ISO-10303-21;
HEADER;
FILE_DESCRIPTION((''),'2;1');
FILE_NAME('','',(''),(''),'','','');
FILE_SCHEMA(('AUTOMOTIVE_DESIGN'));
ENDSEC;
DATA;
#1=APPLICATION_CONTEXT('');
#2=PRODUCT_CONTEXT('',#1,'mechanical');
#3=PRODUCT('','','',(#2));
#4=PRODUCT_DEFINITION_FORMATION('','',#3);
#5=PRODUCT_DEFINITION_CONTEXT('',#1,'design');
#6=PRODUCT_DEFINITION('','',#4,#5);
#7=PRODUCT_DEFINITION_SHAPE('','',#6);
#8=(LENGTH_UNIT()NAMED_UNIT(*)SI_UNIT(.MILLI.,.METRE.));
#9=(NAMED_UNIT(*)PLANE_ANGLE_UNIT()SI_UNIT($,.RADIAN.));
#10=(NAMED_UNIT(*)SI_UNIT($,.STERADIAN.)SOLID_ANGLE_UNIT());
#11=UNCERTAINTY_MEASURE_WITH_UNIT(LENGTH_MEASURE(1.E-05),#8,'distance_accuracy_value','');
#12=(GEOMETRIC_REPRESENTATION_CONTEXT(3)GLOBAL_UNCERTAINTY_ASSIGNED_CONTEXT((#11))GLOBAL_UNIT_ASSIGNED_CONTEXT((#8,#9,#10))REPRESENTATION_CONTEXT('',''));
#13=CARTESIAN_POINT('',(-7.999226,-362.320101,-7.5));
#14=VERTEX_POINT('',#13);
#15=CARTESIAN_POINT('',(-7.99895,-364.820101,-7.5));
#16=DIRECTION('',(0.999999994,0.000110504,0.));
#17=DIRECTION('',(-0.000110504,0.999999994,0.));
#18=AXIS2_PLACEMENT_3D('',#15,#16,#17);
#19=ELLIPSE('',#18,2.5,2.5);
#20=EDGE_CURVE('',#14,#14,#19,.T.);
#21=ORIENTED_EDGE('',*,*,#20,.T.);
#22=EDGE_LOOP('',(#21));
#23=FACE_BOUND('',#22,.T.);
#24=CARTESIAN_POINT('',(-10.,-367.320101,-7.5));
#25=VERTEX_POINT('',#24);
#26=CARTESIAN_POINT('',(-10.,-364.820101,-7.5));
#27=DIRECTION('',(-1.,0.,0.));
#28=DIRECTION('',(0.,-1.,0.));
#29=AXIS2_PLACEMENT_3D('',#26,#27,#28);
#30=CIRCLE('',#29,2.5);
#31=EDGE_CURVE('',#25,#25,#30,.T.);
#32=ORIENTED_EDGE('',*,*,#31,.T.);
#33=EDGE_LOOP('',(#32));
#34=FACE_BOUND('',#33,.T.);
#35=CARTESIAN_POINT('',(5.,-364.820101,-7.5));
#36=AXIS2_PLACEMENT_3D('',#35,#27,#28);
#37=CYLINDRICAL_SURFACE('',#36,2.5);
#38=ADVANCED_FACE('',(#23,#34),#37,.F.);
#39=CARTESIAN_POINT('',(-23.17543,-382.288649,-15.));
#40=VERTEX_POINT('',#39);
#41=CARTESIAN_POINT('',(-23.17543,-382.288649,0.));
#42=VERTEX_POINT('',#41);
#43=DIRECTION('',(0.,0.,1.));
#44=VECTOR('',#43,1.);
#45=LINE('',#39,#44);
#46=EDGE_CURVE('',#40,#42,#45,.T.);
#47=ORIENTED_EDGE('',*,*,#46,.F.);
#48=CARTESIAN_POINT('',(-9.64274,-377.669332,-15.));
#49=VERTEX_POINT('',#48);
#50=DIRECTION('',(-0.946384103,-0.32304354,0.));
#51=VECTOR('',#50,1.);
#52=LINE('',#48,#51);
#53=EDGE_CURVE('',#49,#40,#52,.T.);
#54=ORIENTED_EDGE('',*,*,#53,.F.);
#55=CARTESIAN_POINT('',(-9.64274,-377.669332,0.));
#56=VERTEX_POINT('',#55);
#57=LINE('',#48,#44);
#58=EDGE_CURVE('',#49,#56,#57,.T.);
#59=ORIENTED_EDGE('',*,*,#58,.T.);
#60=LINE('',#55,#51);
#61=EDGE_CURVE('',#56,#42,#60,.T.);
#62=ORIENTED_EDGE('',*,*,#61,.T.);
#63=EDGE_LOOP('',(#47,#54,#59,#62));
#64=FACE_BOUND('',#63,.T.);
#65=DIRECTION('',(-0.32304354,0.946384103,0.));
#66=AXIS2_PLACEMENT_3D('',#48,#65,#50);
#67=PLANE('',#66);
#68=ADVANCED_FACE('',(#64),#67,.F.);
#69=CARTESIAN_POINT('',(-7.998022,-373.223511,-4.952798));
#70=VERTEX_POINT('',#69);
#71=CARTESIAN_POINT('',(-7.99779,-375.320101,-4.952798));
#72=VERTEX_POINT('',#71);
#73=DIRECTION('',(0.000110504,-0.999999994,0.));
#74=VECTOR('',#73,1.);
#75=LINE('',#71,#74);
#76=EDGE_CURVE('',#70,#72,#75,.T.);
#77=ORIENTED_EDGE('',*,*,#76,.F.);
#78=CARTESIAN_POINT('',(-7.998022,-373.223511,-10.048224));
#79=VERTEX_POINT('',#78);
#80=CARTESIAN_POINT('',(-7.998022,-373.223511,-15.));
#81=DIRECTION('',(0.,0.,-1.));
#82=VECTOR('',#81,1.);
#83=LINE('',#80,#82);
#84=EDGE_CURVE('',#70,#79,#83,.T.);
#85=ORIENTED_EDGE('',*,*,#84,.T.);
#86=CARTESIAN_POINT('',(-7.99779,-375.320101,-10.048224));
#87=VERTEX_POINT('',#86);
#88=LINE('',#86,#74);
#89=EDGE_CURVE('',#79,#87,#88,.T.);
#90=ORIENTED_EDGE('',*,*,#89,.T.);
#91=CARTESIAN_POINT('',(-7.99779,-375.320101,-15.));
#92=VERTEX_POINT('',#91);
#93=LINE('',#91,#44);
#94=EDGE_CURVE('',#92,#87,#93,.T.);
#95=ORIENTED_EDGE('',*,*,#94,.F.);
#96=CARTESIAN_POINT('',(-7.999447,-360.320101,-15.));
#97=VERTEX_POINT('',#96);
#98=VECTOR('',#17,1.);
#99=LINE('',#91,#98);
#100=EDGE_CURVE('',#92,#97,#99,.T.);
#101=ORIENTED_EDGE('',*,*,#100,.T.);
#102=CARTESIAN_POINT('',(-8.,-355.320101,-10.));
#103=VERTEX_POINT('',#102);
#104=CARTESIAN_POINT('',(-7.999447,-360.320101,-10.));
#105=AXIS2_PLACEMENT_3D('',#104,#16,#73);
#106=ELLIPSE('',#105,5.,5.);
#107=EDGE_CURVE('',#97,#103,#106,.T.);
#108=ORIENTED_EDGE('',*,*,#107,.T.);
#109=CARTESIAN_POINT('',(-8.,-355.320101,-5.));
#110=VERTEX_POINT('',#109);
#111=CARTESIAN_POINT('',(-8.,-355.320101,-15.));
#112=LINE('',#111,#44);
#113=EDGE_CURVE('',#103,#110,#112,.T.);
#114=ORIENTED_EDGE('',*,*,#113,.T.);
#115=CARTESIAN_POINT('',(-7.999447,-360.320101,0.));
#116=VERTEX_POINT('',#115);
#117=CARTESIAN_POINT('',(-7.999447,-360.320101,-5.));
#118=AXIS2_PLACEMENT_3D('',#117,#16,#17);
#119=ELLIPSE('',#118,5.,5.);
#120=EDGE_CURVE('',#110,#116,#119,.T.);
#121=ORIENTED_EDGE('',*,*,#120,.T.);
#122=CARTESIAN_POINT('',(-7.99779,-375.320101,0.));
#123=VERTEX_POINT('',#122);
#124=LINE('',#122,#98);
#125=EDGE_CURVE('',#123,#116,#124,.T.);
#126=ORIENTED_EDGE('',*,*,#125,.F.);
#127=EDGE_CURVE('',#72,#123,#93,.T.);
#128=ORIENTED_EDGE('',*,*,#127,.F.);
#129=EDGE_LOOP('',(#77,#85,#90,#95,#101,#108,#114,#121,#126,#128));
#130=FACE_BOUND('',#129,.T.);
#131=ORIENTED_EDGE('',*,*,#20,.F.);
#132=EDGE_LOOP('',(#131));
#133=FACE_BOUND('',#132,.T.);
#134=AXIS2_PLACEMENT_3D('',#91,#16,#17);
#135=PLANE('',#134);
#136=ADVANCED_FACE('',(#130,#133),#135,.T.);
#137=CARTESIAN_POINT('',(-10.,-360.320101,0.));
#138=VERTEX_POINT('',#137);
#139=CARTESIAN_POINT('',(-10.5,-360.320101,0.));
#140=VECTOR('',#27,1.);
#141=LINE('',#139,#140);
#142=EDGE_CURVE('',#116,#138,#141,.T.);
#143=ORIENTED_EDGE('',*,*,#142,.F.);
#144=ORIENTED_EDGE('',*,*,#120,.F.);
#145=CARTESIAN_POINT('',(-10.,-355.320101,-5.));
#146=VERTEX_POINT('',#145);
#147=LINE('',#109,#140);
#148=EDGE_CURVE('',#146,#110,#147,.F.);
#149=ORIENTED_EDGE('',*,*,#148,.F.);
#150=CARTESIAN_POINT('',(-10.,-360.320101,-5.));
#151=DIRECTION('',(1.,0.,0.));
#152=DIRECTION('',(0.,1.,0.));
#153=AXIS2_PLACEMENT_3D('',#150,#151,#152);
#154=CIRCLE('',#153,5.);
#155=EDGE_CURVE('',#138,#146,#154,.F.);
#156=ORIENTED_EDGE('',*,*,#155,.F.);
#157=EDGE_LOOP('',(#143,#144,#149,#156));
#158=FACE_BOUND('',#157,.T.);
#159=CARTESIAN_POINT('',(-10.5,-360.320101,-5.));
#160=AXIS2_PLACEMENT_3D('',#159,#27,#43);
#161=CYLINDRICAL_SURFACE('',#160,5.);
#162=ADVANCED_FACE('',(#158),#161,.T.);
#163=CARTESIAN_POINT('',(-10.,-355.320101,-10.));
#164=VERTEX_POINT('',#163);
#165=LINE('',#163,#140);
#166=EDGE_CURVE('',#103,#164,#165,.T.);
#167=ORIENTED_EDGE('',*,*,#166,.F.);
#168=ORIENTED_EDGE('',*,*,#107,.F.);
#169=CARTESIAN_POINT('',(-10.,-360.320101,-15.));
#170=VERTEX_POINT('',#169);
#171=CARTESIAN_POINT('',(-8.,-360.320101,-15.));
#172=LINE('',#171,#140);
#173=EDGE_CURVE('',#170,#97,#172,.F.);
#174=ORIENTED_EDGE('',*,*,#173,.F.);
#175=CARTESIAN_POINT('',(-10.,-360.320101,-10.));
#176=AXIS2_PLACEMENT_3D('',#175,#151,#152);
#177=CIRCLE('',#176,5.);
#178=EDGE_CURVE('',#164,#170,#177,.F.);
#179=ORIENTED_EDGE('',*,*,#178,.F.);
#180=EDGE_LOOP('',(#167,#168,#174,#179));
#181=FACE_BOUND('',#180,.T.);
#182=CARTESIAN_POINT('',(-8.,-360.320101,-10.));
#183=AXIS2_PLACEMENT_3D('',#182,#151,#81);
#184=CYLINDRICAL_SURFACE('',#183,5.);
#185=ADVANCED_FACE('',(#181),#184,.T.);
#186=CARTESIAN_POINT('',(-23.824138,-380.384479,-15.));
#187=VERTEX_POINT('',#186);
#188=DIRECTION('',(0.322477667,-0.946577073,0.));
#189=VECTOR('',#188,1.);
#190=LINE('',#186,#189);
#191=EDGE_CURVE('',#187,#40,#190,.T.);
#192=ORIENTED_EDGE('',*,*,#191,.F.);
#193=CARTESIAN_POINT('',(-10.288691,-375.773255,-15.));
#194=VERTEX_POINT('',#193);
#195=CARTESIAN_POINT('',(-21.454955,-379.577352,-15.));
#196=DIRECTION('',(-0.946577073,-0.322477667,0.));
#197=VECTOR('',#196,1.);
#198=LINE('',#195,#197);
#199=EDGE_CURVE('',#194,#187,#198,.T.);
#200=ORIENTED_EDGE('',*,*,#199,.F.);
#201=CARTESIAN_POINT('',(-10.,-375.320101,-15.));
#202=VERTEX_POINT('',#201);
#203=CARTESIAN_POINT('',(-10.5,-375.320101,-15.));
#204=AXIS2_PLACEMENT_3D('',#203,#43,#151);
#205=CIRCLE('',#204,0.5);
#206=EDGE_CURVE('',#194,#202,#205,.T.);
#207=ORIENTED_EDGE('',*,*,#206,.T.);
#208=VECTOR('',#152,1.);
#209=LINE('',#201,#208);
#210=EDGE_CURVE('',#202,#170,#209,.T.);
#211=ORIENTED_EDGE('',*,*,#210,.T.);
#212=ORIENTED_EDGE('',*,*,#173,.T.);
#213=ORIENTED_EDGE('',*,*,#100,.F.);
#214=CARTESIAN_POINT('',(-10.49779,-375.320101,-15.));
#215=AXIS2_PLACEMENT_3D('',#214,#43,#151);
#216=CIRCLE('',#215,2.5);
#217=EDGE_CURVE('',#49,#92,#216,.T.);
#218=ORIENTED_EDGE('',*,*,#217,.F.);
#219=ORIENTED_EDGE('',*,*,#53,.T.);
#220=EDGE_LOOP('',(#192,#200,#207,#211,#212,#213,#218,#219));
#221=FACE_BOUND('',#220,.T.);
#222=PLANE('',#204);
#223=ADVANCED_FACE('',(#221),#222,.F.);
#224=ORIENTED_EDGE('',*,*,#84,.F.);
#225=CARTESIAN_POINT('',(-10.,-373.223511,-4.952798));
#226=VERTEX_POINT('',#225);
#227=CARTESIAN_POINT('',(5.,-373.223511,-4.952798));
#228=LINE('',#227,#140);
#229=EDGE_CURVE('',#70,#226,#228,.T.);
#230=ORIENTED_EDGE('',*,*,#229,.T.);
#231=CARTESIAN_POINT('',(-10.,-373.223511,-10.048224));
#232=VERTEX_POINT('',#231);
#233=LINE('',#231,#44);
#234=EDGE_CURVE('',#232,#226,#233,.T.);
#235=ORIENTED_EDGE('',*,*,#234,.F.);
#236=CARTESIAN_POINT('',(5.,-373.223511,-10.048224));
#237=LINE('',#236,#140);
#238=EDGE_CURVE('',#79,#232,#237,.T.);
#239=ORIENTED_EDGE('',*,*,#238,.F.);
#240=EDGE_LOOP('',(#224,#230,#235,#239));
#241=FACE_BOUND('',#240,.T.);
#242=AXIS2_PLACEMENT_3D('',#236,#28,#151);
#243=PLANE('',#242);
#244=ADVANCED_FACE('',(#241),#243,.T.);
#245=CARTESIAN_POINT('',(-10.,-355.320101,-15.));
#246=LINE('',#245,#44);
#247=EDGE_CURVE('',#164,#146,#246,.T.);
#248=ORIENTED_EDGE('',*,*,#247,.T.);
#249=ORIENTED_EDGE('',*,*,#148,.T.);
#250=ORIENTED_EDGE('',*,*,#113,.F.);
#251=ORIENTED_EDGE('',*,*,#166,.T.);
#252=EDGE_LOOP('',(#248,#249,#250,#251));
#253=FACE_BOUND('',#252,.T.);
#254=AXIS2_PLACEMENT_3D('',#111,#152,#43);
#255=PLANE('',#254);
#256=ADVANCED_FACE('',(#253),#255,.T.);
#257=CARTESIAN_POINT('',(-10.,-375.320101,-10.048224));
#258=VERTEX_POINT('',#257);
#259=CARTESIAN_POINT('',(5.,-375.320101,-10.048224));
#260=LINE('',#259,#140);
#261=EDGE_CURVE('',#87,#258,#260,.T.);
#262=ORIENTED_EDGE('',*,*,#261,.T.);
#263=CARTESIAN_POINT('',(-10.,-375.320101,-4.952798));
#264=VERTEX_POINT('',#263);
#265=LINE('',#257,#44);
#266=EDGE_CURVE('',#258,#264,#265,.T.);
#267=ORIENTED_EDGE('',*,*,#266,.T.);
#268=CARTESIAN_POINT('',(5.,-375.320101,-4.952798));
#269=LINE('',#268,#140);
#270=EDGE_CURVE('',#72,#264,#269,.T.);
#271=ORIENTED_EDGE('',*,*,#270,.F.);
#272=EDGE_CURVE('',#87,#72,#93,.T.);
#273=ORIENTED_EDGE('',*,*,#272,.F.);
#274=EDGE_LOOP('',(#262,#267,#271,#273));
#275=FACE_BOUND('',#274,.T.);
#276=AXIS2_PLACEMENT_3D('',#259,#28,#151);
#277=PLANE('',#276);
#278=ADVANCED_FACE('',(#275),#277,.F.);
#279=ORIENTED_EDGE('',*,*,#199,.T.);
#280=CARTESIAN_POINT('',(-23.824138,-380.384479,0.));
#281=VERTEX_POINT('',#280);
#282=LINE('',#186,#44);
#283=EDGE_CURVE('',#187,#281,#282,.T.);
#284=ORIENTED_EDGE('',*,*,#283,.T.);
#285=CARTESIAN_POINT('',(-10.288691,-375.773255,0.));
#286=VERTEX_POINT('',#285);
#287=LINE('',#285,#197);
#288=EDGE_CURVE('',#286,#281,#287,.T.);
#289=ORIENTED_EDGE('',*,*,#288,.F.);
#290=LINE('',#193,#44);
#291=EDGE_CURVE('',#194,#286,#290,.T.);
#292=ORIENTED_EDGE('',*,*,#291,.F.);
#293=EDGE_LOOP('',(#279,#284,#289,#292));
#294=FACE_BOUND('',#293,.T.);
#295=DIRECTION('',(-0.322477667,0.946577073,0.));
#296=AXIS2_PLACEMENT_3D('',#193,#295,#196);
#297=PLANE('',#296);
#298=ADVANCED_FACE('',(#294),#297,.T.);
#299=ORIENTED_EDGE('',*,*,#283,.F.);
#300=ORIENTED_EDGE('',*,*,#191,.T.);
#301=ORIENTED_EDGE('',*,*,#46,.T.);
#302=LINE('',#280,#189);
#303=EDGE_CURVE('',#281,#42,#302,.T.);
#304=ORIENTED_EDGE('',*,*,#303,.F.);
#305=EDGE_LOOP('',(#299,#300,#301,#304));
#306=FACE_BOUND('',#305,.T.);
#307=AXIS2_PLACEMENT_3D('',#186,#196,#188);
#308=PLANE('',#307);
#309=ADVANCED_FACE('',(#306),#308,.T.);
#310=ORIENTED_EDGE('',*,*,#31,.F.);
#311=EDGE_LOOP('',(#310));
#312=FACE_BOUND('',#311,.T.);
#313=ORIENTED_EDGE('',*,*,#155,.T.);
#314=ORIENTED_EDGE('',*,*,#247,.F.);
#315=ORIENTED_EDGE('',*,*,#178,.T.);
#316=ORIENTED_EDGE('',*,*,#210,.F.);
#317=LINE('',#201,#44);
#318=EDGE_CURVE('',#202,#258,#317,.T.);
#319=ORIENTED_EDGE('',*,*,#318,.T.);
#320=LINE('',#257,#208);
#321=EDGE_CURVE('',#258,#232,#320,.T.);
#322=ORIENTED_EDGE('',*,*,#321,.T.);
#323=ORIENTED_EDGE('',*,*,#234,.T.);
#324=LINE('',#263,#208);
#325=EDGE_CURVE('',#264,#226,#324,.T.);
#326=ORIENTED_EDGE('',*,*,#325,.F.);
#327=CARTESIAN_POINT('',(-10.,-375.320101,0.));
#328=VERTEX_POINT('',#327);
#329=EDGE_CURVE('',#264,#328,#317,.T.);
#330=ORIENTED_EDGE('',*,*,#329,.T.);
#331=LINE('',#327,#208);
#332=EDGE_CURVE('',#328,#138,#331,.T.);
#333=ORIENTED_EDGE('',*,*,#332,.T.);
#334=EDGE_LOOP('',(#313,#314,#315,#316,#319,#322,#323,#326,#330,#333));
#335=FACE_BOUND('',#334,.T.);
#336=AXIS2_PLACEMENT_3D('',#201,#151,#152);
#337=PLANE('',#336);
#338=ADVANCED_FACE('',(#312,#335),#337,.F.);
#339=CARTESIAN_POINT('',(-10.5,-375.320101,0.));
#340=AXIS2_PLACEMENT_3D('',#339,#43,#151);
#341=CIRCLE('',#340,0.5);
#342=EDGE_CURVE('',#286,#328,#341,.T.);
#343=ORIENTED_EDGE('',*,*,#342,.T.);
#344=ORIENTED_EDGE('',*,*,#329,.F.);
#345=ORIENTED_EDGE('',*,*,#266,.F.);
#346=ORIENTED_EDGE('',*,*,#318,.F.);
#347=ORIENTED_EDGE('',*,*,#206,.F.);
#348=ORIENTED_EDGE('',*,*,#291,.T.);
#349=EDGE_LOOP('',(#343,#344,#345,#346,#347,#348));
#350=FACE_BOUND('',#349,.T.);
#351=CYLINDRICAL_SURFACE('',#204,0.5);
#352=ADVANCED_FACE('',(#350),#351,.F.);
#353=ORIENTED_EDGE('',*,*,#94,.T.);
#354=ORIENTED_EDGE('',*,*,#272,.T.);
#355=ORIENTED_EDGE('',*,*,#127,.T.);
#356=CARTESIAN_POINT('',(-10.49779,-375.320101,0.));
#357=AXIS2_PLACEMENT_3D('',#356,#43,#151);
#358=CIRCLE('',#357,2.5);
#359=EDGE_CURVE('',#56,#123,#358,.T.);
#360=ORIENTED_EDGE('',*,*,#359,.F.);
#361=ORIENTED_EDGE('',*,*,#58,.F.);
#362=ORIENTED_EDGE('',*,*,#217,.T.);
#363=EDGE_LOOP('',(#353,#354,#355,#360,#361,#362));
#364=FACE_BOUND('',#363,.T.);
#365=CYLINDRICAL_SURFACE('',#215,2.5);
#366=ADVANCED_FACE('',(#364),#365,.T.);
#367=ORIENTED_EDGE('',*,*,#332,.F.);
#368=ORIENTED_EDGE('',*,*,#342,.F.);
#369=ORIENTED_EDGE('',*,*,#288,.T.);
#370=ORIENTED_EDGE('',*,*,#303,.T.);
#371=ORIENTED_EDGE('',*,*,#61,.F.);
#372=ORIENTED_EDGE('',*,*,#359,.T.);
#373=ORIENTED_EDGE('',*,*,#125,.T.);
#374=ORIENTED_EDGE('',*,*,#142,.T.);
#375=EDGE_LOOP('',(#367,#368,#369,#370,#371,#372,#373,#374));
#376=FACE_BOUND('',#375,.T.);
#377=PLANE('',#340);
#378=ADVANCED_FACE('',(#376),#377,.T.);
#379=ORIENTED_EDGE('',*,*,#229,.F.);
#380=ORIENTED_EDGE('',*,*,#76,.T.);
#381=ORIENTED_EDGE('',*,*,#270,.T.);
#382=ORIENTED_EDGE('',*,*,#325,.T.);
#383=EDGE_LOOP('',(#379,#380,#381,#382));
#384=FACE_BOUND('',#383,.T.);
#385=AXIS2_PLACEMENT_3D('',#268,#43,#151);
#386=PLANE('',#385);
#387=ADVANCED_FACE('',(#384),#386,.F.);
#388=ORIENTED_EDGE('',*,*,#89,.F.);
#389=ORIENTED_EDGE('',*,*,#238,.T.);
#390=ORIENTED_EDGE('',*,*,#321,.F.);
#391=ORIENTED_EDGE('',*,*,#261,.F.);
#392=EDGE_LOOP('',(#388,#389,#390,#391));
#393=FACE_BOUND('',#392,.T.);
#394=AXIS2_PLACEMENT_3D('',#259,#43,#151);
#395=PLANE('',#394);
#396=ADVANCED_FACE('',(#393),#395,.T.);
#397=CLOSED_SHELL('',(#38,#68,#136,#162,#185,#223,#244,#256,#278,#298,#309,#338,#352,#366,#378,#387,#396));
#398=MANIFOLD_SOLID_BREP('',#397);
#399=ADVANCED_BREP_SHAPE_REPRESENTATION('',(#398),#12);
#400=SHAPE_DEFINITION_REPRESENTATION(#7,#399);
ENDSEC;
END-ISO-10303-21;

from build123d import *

# Parameters (mm, degrees)
DODANIE_WYCI_GNI_CIE1_DEPTH = 15
SZKIC2_R                    = 2.5
WYTNIJ_WYCI_GNI_CIE2_DEPTH  = 15
SZKIC4_W                    = 5.095426068
SZKIC4_H                    = 2.09659
WYTNIJ_WYCI_GNI_CIE4_DEPTH  = 15
ZAOKR_GLENIE1_R             = 5


with BuildPart() as part:
    # Szkic1 → Dodanie-wyciągnięcie1 (new body)
    with BuildSketch(Plane.XY):
        with BuildLine():
            Line((-21.454955104, -379.577351541), (-23.824138202, -380.384479307))
            Line((-23.824138202, -380.384479307), (-23.175429976, -382.288649415))
            Line((-23.175429976, -382.288649415), (-9.642739559, -377.669332371))
            ThreePointArc((-9.642739559, -377.669332371), (-8.449909807, -376.75404191), (-7.997789918, -375.320100819))
            Line((-7.997789918, -375.320100819), (-8, -355.320100819))
            Line((-8, -355.320100819), (-10, -355.320100819))
            Line((-10, -355.320100819), (-10, -375.320100819))
            ThreePointArc((-10, -375.320100819), (-10.078304277, -375.588750623), (-10.288690869, -375.773254713))
            Line((-10.288690869, -375.773254713), (-21.454955104, -379.577351541))
        make_face()
    extrude(amount=-DODANIE_WYCI_GNI_CIE1_DEPTH)

    # Szkic2 → Wytnij-wyciągnięcie2 (cut)
    with BuildSketch(Plane.ZY.offset(10)):
        with Locations((-7.5, -364.820100819)):
            Circle(SZKIC2_R)
    extrude(amount=-WYTNIJ_WYCI_GNI_CIE2_DEPTH, mode=Mode.SUBTRACT)

    # Szkic4 → Wytnij-wyciągnięcie4 (cut)
    with BuildSketch(Plane.ZY.offset(10)):
        with Locations((-7.500510709, -374.271805819)):
            Rectangle(SZKIC4_W, SZKIC4_H)
    extrude(amount=-WYTNIJ_WYCI_GNI_CIE4_DEPTH, mode=Mode.SUBTRACT)

    # Zaokrąglenie1
    zaokr_glenie1_edges = [part.edges().sort_by_distance(p)[0] for p in [
        (-9, -355.320100819, 0),
        (-9, -355.320100819, -15),
    ]]
    fillet(zaokr_glenie1_edges, radius=ZAOKR_GLENIE1_R)


solid = part.part
